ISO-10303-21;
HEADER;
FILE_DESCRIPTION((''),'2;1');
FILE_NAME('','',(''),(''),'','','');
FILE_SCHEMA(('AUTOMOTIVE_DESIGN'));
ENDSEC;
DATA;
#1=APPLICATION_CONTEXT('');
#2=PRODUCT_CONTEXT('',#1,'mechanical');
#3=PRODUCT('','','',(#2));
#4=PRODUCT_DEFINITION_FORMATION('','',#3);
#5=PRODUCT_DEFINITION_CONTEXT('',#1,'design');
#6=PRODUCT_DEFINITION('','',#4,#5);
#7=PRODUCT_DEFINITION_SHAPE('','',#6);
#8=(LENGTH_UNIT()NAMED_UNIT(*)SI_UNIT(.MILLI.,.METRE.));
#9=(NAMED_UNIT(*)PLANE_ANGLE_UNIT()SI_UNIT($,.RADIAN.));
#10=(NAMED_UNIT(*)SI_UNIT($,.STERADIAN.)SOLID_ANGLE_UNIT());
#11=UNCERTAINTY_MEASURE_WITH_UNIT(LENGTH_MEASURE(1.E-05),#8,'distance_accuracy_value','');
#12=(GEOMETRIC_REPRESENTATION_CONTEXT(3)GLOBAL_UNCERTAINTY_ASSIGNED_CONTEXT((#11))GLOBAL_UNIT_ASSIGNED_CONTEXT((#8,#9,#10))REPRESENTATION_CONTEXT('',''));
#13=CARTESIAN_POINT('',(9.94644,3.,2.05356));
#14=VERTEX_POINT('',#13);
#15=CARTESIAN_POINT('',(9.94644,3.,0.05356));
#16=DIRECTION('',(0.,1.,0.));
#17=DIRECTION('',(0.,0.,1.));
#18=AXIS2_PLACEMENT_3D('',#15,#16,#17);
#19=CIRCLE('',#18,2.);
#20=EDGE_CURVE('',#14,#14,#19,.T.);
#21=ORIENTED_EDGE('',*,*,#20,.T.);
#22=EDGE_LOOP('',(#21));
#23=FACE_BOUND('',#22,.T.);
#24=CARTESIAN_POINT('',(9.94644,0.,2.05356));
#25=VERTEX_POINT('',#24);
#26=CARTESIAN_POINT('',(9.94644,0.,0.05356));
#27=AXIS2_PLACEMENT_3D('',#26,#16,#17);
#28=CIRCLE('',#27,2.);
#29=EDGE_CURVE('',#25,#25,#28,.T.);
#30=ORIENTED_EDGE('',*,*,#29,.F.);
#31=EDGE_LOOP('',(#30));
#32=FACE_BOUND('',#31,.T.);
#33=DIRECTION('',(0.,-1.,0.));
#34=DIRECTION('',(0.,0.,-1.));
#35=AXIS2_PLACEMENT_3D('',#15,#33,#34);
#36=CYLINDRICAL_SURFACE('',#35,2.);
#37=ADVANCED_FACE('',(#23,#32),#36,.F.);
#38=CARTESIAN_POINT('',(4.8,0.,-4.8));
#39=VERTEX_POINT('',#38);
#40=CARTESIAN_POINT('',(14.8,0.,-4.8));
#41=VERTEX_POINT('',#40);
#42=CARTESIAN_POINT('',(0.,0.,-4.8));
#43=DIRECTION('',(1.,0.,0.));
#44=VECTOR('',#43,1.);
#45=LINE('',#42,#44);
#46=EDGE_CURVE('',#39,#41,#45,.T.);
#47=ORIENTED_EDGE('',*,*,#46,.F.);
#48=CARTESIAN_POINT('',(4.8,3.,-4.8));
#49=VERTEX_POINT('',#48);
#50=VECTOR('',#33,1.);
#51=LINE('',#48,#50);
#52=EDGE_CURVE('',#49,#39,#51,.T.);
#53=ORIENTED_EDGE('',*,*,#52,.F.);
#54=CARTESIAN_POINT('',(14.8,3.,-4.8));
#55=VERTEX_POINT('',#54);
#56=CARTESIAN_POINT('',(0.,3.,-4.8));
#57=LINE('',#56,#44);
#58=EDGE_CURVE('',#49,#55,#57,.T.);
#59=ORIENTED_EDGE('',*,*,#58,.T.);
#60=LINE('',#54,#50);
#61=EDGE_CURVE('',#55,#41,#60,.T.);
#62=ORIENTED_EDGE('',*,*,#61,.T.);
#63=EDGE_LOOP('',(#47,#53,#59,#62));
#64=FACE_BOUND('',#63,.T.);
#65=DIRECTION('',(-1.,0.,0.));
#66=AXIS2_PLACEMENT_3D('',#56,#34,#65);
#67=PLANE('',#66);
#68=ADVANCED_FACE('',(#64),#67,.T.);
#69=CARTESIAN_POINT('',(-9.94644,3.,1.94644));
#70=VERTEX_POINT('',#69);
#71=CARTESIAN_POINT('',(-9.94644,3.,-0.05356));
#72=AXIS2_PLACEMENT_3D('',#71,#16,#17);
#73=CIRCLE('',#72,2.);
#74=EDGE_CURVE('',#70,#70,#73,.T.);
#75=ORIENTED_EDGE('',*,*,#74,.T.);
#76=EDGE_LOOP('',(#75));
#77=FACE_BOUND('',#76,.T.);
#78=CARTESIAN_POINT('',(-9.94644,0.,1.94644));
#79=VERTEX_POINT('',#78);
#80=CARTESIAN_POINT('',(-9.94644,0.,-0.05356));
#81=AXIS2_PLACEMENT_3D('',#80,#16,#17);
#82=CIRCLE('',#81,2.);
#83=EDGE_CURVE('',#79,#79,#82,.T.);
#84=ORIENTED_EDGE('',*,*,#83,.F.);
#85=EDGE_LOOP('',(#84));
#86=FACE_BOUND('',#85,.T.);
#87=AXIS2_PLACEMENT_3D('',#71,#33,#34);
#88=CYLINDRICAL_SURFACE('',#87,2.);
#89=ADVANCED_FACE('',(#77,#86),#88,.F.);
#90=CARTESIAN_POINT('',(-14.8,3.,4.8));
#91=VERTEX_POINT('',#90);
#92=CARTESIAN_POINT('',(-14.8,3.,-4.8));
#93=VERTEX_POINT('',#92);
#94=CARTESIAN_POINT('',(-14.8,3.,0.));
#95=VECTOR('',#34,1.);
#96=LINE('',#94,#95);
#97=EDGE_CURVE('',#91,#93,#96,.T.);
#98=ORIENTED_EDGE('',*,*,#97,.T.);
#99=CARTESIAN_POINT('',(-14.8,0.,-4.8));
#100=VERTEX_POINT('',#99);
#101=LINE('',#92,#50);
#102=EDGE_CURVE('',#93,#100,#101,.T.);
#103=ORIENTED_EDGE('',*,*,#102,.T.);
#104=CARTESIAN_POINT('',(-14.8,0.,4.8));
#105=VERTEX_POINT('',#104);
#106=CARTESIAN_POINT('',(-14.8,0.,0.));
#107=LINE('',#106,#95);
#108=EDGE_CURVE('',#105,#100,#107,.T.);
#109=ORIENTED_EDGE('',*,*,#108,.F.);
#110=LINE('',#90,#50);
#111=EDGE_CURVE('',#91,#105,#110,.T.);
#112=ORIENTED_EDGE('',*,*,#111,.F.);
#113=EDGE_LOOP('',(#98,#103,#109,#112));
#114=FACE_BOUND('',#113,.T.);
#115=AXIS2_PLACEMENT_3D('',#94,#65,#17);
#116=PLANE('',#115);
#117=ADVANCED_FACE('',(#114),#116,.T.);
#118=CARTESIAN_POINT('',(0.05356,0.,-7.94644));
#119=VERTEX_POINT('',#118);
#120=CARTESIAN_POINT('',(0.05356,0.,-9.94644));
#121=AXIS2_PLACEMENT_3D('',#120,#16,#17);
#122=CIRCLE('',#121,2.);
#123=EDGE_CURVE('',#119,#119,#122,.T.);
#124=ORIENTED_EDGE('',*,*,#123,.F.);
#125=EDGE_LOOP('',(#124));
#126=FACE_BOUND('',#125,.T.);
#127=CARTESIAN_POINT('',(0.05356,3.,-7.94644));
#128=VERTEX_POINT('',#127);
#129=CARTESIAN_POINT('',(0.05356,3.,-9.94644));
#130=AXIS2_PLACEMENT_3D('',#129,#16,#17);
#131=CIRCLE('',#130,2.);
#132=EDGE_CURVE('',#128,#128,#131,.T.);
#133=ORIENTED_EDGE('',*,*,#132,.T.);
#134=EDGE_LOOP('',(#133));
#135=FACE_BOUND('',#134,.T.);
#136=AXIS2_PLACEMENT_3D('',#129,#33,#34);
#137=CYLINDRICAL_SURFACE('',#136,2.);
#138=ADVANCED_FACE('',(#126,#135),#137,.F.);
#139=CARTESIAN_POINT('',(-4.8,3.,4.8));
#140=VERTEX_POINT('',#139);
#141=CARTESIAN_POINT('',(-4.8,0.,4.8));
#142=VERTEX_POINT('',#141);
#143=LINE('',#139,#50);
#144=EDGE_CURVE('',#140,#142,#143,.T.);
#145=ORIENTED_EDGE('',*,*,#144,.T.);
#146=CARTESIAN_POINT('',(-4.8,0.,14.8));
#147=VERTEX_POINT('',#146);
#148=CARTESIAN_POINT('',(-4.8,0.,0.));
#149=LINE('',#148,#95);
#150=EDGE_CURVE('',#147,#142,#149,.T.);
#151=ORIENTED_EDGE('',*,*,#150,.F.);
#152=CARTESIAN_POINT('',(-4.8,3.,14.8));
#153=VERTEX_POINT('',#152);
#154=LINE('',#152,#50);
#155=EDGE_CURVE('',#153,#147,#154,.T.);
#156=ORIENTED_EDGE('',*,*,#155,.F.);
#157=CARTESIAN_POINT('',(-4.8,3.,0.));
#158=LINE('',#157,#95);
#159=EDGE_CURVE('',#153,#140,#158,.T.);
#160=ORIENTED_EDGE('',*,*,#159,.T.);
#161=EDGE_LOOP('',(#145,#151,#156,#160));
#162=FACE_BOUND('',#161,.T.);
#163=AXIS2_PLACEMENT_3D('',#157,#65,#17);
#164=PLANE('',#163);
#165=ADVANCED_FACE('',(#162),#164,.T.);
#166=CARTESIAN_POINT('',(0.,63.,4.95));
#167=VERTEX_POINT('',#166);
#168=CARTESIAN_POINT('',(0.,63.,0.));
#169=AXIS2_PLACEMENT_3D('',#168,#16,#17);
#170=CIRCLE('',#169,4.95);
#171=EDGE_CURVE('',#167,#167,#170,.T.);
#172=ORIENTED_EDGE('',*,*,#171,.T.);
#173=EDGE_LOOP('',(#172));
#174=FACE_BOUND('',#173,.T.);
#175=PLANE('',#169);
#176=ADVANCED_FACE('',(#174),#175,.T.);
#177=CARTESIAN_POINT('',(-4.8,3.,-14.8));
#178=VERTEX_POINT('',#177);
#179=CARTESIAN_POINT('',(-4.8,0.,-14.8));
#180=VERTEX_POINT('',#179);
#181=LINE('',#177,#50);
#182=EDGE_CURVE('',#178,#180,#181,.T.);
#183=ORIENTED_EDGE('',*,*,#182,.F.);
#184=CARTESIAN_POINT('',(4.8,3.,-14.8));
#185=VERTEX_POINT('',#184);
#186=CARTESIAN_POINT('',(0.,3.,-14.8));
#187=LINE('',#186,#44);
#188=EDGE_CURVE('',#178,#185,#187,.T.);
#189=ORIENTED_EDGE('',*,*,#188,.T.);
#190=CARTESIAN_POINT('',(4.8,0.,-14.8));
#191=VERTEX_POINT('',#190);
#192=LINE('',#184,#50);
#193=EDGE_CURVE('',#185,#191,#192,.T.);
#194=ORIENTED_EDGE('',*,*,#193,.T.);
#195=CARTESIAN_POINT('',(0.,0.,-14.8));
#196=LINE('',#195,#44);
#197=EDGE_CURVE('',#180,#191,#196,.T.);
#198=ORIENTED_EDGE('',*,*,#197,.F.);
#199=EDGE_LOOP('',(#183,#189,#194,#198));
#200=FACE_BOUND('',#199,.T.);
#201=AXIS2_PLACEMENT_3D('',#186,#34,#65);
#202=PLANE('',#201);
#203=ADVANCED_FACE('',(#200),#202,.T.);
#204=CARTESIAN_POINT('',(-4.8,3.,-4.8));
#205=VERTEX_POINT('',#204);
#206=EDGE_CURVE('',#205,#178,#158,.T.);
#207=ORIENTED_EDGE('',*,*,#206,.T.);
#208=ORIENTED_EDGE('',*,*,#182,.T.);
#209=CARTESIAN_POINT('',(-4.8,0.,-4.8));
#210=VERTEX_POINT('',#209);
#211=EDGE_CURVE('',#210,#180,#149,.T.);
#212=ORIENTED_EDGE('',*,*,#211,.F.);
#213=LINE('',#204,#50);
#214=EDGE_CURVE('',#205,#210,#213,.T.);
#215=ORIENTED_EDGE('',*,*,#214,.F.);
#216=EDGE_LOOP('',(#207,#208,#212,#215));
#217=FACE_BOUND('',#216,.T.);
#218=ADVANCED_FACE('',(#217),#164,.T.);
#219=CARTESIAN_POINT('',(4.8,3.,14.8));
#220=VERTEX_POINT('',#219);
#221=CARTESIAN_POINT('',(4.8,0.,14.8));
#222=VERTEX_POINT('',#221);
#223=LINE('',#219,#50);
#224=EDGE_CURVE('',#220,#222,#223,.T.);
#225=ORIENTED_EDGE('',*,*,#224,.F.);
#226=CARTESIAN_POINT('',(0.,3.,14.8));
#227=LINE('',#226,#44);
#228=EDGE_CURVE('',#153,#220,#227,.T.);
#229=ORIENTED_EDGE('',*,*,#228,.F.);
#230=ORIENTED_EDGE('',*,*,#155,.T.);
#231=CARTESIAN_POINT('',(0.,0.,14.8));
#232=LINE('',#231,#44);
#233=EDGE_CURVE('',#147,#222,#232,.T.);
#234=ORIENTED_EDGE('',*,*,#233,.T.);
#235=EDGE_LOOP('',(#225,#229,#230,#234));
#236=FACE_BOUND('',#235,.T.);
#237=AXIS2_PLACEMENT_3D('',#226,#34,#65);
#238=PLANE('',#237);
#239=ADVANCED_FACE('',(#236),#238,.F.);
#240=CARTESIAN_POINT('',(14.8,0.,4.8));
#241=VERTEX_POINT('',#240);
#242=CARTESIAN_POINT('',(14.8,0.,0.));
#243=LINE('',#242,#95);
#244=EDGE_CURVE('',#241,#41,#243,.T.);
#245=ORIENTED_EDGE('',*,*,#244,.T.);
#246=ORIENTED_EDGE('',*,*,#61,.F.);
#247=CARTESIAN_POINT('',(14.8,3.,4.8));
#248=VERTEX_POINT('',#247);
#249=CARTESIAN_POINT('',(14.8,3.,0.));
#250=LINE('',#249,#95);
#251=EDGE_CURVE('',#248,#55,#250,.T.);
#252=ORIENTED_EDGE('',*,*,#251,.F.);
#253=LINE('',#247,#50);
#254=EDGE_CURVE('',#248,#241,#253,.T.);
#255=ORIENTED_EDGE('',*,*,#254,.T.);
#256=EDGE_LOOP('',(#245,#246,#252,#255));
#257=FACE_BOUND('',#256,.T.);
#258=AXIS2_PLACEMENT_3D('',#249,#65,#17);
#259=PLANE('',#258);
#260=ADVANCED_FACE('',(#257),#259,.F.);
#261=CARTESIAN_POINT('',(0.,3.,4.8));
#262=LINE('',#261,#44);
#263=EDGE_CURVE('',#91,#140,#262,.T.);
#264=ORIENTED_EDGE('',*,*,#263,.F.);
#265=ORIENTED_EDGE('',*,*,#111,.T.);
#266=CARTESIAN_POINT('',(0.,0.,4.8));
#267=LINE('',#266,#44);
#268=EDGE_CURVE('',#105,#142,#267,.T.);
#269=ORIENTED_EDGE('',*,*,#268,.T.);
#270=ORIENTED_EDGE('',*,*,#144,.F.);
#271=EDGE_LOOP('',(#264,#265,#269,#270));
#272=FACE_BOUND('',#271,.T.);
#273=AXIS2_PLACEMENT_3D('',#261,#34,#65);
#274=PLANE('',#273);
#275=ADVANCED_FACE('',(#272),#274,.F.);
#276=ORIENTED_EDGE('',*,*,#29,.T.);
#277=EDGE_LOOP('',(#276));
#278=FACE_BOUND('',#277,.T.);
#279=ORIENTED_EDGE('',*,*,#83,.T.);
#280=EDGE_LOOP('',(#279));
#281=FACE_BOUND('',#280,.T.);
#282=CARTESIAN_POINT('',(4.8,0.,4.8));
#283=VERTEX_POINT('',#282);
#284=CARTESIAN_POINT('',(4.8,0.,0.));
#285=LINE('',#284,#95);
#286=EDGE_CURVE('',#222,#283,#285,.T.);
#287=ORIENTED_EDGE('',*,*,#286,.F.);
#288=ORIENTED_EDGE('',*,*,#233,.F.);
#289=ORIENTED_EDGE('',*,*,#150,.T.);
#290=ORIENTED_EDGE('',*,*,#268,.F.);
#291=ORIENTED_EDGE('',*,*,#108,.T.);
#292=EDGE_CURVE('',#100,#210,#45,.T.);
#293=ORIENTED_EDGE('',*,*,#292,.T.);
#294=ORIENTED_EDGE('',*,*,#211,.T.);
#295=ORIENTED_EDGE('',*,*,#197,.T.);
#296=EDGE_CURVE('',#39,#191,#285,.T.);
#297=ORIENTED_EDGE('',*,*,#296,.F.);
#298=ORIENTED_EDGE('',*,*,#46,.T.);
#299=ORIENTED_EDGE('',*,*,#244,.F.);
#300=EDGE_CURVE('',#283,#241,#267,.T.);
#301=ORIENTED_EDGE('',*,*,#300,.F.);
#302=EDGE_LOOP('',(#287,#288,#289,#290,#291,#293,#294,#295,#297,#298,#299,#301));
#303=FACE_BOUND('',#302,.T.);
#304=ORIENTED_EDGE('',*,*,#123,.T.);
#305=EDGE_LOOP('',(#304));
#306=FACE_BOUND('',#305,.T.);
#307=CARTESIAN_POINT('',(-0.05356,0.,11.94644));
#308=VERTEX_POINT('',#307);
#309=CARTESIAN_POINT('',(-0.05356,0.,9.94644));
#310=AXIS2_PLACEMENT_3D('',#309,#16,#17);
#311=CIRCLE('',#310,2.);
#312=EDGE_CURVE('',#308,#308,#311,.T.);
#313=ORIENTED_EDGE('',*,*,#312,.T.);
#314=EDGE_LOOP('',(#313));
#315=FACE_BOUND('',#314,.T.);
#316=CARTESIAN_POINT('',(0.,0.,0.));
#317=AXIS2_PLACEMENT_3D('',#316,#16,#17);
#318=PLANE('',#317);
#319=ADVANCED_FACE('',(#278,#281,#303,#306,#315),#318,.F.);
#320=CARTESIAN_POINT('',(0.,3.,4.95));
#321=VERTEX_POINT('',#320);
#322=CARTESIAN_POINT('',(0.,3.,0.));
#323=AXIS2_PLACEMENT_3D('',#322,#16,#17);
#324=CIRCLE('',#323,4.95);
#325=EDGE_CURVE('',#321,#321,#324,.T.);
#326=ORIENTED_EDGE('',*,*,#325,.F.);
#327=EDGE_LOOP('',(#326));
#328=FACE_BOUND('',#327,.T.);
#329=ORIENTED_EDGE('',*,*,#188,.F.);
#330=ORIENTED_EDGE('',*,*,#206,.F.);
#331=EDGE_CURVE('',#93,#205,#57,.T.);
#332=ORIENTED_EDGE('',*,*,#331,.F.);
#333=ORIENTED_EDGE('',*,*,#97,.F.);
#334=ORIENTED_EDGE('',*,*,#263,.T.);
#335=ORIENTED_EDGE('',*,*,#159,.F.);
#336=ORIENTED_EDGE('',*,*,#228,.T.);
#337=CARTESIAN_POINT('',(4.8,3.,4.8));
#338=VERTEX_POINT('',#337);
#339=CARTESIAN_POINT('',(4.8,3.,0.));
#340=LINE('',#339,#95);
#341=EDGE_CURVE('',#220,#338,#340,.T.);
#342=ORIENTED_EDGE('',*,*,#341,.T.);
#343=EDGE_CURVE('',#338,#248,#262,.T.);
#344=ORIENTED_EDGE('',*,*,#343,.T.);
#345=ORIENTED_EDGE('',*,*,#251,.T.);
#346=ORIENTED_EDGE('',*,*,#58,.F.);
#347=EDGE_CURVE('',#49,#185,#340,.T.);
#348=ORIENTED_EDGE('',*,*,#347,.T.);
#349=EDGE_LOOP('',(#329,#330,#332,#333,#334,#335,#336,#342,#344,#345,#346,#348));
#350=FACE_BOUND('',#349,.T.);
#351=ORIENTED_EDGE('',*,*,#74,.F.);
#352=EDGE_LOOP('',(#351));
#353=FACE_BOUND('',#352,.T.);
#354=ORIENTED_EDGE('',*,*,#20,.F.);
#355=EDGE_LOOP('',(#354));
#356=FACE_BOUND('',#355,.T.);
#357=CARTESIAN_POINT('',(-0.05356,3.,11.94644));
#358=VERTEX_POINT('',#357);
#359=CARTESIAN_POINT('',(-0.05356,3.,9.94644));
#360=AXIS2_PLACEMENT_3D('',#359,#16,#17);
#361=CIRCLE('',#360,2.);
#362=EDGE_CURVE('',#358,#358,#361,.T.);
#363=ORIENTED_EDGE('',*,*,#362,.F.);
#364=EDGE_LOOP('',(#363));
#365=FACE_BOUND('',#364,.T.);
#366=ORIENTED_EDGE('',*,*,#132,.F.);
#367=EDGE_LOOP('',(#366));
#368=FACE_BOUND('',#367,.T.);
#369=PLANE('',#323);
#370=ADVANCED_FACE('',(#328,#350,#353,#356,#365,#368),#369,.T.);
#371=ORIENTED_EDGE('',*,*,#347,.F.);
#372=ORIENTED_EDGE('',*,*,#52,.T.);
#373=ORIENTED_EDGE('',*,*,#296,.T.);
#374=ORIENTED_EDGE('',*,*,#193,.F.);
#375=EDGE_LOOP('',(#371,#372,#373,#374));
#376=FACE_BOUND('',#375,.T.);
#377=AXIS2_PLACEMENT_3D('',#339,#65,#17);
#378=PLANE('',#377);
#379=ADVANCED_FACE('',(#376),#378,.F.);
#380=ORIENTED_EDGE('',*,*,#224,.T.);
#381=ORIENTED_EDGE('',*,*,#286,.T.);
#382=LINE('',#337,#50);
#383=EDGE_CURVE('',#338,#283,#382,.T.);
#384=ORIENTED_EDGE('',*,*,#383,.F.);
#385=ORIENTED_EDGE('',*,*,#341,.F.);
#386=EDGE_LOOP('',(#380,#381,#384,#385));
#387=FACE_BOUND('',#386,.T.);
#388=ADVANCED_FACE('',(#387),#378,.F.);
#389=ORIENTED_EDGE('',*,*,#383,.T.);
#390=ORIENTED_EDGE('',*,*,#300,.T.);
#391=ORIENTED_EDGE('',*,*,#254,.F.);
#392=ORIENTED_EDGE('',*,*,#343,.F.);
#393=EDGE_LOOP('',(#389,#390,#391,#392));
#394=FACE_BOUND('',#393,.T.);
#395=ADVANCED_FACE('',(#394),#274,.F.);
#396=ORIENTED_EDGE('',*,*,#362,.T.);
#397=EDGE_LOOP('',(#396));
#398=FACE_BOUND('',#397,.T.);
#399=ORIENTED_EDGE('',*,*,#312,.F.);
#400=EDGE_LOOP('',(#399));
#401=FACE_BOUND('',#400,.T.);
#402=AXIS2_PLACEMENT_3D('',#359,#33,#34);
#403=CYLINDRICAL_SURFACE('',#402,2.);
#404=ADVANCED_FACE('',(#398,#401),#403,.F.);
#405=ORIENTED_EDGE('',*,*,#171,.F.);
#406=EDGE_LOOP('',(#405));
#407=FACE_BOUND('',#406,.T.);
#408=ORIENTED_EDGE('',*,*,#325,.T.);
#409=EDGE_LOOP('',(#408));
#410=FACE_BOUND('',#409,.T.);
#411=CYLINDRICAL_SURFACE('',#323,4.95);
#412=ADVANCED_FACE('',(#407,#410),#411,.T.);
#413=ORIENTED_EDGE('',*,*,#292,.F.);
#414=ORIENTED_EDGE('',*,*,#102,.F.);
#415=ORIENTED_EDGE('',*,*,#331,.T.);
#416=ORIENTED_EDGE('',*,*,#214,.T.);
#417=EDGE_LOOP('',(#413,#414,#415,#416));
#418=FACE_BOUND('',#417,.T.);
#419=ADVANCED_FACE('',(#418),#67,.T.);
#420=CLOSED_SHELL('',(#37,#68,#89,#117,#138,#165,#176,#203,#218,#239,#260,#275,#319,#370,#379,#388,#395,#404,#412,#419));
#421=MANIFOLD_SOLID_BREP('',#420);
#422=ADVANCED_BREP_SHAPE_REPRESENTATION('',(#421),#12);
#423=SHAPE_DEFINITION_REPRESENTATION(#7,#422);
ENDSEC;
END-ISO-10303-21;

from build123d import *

# Parameters (mm, degrees)
SKETCH_1_W          = 10
SKETCH_1_H          = 9.6
SKETCH_1_R          = 2
SKETCH_1_W_2        = 9.6
SKETCH_1_H_2        = 10
SKETCH_1_R_2        = 4
EXTRUDE_2_DEPTH     = 3
SKETCH_2_R          = 3.95
EXTRUDE_3_DEPTH     = 120
CUT_EXTRUDE_START   = -60
SKETCH_3_R          = 3.95
CUT_EXTRUDE_1_DEPTH = 60
SKETCH_4_R          = 4.95
EXTRUDE_4_DEPTH     = 60


with BuildPart() as part:
    # 草图1 → 凸台-拉伸2 (new body)
    # profile 1 of 6: a face of its own
    with BuildSketch(Plane(origin=(0, 0, 0), x_dir=(1, 0, 0), z_dir=(0, 1, 0))):
        with Locations((-9.8, 0)):
            Rectangle(SKETCH_1_W, SKETCH_1_H)
        with Locations(Location((-9.946440474, 0.053559526, 0), (0, 0, 270))):
            Circle(SKETCH_1_R, mode=Mode.SUBTRACT)
    # profile 2 of 6: a face of its own
    with BuildSketch(Plane(origin=(0, 0, 0), x_dir=(1, 0, 0), z_dir=(0, 1, 0))):
        with Locations((0, -9.8)):
            Rectangle(SKETCH_1_W_2, SKETCH_1_H_2)
        with Locations(Location((-0.053559526, -9.946440474, 0), (0, 0, 270))):
            Circle(SKETCH_1_R, mode=Mode.SUBTRACT)
    # profile 3 of 6: a face of its own
    with BuildSketch(Plane(origin=(0, 0, 0), x_dir=(1, 0, 0), z_dir=(0, 1, 0))):
        Rectangle(SKETCH_1_W_2, SKETCH_1_H)
        Circle(SKETCH_1_R_2, mode=Mode.SUBTRACT)
    # profile 4 of 6: a face of its own
    with BuildSketch(Plane(origin=(0, 0, 0), x_dir=(1, 0, 0), z_dir=(0, 1, 0))):
        with Locations((9.8, 0)):
            Rectangle(SKETCH_1_W, SKETCH_1_H)
        with Locations(Location((9.946440474, -0.053559526, 0), (0, 0, 270))):
            Circle(SKETCH_1_R, mode=Mode.SUBTRACT)
    # profile 5 of 6: a face of its own
    with BuildSketch(Plane(origin=(0, 0, 0), x_dir=(1, 0, 0), z_dir=(0, 1, 0))):
        with Locations((0, 9.8)):
            Rectangle(SKETCH_1_W_2, SKETCH_1_H_2)
        with Locations(Location((0.053559526, 9.946440474, 0), (0, 0, 270))):
            Circle(SKETCH_1_R, mode=Mode.SUBTRACT)
    # profile 6 of 6: a face of its own
    with BuildSketch(Plane(origin=(0, 0, 0), x_dir=(1, 0, 0), z_dir=(0, 1, 0))):
        Circle(SKETCH_1_R_2)
    extrude(amount=EXTRUDE_2_DEPTH)

    # 草图2 → 凸台-拉伸3 (add)
    with BuildSketch(Plane(origin=(0, 3, 0), x_dir=(1, 0, 0), z_dir=(0, 1, 0))):
        with Locations(Location((0, 0, 0), (0, 0, 270))):
            Circle(SKETCH_2_R)
    extrude(amount=EXTRUDE_3_DEPTH)

    # 草图3 → 切除-拉伸1 (cut)
    with BuildSketch(Plane(origin=(0, 123, 0), x_dir=(1, 0, 0), z_dir=(0, 1, 0)).offset(CUT_EXTRUDE_START)):
        with Locations(Location((0, 0, 0), (0, 0, 270))):
            Circle(SKETCH_3_R)
    extrude(amount=CUT_EXTRUDE_1_DEPTH, mode=Mode.SUBTRACT)

    # 草图4 → 凸台-拉伸4 (add)
    with BuildSketch(Plane(origin=(0, 63, 0), x_dir=(1, 0, 0), z_dir=(0, 1, 0))):
        with Locations(Location((0, 0, 0), (0, 0, 270))):
            Circle(SKETCH_4_R)
    extrude(amount=-EXTRUDE_4_DEPTH)


solid = part.part
